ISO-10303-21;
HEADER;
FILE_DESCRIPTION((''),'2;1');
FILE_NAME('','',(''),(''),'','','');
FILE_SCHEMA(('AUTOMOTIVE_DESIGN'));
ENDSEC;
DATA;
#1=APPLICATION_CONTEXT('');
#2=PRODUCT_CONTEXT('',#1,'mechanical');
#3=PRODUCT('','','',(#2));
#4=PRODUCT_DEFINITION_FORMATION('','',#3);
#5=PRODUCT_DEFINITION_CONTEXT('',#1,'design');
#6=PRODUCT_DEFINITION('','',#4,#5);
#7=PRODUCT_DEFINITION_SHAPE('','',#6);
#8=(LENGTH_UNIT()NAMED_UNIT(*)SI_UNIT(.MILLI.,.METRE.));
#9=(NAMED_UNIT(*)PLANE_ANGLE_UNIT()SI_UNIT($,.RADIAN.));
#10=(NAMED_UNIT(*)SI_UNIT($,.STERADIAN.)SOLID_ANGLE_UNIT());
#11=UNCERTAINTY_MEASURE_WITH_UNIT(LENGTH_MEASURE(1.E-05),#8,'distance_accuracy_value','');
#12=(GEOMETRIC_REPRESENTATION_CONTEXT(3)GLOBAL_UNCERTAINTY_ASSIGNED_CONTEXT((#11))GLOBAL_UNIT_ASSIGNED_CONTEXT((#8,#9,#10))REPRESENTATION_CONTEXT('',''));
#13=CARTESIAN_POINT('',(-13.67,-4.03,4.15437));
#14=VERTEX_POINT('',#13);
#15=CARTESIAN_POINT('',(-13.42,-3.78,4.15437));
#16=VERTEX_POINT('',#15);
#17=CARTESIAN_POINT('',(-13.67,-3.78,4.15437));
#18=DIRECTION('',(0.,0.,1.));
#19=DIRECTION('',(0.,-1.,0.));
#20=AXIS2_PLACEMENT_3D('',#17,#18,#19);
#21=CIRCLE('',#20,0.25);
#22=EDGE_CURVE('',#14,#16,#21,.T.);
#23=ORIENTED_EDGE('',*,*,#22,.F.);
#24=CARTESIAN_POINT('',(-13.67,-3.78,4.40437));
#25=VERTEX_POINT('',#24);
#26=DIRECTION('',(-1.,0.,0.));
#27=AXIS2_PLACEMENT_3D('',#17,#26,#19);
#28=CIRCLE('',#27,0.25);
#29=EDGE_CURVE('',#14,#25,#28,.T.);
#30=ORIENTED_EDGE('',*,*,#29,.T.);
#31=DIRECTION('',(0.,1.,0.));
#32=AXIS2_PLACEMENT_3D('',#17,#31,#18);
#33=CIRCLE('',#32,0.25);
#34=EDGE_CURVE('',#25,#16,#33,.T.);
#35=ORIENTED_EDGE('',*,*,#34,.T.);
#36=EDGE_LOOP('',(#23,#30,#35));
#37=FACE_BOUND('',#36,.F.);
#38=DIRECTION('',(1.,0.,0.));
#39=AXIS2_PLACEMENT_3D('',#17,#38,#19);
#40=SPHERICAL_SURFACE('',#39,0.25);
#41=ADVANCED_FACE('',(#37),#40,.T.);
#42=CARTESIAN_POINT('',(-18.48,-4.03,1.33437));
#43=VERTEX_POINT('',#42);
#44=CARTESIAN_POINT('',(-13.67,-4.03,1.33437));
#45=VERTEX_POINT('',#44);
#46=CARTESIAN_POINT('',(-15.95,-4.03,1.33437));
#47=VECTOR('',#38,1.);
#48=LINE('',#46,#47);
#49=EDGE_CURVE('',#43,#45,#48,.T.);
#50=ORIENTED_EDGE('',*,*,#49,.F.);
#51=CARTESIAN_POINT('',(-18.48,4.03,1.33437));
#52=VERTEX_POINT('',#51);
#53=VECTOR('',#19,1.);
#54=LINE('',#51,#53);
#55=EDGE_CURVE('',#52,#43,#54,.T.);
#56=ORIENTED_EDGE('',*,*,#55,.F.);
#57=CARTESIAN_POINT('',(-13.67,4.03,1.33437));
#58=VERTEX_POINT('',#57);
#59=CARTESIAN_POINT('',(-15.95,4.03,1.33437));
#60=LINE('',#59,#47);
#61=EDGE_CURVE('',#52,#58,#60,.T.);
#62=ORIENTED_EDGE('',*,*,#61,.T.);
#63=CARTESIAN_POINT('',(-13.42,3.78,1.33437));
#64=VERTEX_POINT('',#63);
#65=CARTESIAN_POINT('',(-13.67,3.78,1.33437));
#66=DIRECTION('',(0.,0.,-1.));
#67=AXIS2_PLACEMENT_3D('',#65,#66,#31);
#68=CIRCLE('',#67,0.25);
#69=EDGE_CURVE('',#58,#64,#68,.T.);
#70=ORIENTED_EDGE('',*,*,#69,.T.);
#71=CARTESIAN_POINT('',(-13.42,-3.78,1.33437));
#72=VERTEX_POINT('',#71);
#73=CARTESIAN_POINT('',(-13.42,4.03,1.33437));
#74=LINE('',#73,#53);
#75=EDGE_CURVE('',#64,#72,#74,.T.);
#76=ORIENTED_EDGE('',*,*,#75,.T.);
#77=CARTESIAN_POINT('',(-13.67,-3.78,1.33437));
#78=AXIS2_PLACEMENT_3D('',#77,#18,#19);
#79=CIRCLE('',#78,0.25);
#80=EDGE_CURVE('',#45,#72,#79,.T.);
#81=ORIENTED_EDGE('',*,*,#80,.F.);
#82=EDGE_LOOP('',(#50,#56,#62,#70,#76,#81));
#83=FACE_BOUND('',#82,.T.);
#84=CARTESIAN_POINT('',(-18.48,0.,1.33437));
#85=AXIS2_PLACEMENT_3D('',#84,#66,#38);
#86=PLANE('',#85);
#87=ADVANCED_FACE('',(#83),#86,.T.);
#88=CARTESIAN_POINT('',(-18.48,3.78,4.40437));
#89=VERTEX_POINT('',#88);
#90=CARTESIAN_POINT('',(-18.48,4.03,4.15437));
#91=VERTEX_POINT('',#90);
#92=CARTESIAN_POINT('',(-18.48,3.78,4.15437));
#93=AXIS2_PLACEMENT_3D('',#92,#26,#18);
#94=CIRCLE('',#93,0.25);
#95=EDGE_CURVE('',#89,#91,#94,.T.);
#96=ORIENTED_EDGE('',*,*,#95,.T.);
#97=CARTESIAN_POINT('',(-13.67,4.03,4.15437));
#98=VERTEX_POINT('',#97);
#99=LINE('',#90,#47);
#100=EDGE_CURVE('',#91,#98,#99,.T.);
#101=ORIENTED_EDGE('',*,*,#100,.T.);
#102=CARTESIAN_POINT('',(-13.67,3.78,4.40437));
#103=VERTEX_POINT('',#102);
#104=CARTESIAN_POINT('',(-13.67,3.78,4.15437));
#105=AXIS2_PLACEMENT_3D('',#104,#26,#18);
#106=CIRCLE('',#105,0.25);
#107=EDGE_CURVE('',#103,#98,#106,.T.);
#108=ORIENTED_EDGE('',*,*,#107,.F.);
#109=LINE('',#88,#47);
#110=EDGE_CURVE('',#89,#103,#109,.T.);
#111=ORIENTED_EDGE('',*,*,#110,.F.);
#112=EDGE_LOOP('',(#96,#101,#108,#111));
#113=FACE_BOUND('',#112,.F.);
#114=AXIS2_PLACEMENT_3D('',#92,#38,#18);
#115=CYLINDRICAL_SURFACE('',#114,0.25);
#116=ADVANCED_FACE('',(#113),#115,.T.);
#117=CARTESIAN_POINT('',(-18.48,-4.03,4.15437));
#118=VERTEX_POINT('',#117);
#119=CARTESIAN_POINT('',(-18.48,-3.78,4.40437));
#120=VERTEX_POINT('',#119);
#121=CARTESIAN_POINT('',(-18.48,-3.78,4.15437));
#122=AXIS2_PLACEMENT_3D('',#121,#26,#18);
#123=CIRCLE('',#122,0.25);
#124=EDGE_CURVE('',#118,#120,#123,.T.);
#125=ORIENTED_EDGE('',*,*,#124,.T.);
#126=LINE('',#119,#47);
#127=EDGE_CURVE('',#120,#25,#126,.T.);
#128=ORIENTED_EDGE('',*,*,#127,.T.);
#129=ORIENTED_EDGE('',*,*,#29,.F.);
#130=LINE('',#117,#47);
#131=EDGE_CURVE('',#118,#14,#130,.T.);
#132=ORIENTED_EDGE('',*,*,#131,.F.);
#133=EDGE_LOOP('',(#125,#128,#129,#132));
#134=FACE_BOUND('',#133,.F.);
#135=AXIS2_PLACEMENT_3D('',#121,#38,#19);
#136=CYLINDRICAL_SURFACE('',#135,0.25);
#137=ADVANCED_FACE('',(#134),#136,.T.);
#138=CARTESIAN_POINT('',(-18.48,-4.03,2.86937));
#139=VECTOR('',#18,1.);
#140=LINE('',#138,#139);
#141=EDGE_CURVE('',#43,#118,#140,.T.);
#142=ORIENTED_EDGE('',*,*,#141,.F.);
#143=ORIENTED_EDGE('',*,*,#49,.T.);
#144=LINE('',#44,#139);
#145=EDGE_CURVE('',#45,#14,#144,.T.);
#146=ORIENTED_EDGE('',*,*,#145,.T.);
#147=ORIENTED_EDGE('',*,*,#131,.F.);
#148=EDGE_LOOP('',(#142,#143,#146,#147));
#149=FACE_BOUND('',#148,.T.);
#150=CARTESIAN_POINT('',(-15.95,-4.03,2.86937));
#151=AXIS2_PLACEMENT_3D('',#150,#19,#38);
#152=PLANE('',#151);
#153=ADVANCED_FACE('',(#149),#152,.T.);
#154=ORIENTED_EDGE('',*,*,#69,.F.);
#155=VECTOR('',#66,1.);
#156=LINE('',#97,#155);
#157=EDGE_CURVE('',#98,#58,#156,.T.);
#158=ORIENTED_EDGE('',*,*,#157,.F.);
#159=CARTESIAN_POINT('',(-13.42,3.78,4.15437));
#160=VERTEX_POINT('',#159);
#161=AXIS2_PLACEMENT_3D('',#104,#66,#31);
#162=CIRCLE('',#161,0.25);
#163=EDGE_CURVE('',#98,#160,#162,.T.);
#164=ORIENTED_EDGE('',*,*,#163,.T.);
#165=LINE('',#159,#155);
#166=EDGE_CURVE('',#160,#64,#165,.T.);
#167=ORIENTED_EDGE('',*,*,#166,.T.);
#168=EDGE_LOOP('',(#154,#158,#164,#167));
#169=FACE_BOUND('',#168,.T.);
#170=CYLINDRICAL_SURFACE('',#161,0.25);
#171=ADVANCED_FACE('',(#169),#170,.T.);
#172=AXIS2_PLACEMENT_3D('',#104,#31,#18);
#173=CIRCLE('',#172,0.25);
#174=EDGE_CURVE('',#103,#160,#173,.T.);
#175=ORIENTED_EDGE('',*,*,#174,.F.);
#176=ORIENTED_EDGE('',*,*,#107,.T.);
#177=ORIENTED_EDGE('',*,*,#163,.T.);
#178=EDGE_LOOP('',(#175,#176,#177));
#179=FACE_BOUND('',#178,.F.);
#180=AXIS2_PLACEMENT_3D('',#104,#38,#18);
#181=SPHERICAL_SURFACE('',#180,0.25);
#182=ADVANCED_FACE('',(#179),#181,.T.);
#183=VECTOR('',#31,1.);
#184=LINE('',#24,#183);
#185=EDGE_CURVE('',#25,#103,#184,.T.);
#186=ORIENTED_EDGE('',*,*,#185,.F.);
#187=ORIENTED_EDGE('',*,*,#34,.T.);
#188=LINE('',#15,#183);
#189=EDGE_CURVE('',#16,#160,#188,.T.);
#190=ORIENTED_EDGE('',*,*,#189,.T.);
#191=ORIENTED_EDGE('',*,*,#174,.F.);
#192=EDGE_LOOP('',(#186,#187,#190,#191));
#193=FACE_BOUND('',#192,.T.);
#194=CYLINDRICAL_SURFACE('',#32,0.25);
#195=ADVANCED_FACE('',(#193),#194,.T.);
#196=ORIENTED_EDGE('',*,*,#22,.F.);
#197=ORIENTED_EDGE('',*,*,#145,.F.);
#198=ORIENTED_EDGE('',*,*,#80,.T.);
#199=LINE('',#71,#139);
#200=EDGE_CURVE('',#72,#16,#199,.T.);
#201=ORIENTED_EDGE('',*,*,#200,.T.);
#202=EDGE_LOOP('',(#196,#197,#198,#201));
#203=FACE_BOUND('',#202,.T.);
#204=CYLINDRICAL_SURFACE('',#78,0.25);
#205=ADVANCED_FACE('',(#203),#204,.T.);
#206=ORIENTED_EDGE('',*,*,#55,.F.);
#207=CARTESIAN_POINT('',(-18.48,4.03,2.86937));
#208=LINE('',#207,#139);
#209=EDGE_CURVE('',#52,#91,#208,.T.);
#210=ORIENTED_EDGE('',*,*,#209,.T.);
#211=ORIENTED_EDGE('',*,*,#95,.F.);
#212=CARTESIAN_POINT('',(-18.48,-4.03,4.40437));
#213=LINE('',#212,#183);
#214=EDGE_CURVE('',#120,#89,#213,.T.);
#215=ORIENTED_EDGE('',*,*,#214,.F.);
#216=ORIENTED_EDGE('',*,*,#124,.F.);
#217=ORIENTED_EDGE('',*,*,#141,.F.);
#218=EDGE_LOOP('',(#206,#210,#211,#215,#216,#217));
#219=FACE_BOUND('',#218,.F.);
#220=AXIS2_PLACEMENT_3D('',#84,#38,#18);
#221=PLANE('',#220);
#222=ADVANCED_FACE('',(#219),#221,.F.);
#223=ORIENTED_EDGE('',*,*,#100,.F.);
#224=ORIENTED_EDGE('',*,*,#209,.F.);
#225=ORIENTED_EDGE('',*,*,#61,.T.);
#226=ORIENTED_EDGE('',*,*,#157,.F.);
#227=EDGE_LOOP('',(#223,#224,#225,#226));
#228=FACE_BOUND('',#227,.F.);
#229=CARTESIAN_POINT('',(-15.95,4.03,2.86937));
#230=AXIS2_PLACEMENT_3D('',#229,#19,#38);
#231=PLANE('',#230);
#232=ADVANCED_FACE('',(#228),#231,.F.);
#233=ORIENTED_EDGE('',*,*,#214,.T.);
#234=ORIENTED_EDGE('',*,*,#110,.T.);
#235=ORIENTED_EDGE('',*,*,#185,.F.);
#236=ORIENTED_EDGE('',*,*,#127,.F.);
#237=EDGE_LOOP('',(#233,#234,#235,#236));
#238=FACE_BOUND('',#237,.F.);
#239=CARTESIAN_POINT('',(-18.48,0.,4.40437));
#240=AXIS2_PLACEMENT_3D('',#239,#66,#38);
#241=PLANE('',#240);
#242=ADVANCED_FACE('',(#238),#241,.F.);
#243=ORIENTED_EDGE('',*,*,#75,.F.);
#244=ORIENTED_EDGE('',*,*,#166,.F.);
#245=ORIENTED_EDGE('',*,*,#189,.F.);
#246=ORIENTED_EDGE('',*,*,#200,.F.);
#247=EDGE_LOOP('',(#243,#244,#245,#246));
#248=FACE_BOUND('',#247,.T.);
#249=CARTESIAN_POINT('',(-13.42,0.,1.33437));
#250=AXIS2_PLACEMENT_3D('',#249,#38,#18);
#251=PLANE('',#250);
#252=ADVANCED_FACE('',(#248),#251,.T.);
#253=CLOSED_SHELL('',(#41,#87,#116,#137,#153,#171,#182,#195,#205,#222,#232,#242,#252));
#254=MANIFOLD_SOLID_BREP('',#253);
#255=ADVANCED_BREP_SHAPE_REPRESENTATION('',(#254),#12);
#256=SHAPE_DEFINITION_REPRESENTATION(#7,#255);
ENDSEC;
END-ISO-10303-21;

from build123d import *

# Parameters (mm, degrees)
SKETCH002_W  = 5.06
SKETCH002_H  = 3.07
PAD002_DEPTH = 4.03
FILLET_R     = 0.25
FILLET003_R  = 0.25


with BuildPart() as part:
    # Sketch002 → Pad002 (new body, symmetric)
    with BuildSketch(Plane.XZ):
        with Locations((-15.95, 2.86937)):
            Rectangle(SKETCH002_W, SKETCH002_H)
    extrude(amount=PAD002_DEPTH, both=True)

    # Fillet
    fillet_edges = [part.edges().sort_by_distance(p)[0] for p in [
        (-15.95, 4.03, 4.40437),
        (-15.95, -4.03, 4.40437),
    ]]
    fillet(fillet_edges, radius=FILLET_R)

    # Fillet003
    fillet003_edges = [part.edges().sort_by_distance(p)[0] for p in [
        (-13.42, 0, 4.40437),
    ]]
    fillet(fillet003_edges, radius=FILLET003_R)


solid = part.part
